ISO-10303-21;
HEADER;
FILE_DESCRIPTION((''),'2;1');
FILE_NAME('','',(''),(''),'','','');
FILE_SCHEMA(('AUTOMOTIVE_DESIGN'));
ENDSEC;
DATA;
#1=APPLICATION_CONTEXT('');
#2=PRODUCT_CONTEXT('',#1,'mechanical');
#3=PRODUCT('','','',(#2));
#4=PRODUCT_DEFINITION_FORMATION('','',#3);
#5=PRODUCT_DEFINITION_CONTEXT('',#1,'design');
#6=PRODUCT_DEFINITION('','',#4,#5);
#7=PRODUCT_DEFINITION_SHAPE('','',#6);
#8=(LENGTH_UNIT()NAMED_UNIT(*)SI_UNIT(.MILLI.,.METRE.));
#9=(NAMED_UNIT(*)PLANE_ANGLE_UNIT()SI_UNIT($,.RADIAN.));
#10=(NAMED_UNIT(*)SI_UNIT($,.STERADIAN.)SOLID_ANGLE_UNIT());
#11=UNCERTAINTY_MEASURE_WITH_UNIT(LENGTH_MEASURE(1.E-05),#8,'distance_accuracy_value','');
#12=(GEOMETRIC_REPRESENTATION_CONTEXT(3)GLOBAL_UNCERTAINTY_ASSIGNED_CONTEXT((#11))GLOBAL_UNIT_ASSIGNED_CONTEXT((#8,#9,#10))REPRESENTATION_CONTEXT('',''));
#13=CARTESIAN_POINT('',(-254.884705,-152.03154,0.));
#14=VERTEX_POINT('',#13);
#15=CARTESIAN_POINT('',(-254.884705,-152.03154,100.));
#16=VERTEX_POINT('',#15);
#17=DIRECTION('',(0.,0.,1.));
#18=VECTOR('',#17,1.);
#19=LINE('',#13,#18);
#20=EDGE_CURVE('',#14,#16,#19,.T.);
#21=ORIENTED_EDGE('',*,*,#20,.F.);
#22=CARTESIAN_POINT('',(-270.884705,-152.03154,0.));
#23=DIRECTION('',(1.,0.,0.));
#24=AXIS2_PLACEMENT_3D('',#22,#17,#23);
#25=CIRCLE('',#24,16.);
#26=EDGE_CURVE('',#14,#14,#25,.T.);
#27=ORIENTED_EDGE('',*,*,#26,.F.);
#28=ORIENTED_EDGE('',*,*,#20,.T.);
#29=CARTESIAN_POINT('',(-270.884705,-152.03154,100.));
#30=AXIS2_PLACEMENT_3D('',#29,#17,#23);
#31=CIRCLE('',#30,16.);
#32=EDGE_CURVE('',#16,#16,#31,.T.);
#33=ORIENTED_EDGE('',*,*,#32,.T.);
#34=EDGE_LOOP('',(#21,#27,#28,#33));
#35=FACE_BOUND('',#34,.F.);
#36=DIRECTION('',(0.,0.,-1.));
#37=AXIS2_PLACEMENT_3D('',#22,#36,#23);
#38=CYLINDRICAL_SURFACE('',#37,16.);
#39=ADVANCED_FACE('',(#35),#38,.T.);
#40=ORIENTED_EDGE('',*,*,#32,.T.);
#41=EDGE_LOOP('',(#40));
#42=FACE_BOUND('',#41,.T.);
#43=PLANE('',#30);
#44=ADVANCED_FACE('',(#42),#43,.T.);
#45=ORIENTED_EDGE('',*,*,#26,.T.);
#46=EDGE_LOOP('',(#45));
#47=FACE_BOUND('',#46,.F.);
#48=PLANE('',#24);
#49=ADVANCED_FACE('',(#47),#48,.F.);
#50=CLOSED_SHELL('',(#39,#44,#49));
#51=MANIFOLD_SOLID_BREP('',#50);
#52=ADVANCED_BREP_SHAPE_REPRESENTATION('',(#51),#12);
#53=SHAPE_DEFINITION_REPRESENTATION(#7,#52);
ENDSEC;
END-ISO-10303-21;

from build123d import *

# Parameters (mm, degrees)
SKETCH_R  = 16
PAD_DEPTH = 100


with BuildPart() as part:
    # Sketch → Pad (new body)
    with BuildSketch(Plane.XY):
        with Locations((-270.884705, -152.03154)):
            Circle(SKETCH_R)
    extrude(amount=PAD_DEPTH)


solid = part.part
